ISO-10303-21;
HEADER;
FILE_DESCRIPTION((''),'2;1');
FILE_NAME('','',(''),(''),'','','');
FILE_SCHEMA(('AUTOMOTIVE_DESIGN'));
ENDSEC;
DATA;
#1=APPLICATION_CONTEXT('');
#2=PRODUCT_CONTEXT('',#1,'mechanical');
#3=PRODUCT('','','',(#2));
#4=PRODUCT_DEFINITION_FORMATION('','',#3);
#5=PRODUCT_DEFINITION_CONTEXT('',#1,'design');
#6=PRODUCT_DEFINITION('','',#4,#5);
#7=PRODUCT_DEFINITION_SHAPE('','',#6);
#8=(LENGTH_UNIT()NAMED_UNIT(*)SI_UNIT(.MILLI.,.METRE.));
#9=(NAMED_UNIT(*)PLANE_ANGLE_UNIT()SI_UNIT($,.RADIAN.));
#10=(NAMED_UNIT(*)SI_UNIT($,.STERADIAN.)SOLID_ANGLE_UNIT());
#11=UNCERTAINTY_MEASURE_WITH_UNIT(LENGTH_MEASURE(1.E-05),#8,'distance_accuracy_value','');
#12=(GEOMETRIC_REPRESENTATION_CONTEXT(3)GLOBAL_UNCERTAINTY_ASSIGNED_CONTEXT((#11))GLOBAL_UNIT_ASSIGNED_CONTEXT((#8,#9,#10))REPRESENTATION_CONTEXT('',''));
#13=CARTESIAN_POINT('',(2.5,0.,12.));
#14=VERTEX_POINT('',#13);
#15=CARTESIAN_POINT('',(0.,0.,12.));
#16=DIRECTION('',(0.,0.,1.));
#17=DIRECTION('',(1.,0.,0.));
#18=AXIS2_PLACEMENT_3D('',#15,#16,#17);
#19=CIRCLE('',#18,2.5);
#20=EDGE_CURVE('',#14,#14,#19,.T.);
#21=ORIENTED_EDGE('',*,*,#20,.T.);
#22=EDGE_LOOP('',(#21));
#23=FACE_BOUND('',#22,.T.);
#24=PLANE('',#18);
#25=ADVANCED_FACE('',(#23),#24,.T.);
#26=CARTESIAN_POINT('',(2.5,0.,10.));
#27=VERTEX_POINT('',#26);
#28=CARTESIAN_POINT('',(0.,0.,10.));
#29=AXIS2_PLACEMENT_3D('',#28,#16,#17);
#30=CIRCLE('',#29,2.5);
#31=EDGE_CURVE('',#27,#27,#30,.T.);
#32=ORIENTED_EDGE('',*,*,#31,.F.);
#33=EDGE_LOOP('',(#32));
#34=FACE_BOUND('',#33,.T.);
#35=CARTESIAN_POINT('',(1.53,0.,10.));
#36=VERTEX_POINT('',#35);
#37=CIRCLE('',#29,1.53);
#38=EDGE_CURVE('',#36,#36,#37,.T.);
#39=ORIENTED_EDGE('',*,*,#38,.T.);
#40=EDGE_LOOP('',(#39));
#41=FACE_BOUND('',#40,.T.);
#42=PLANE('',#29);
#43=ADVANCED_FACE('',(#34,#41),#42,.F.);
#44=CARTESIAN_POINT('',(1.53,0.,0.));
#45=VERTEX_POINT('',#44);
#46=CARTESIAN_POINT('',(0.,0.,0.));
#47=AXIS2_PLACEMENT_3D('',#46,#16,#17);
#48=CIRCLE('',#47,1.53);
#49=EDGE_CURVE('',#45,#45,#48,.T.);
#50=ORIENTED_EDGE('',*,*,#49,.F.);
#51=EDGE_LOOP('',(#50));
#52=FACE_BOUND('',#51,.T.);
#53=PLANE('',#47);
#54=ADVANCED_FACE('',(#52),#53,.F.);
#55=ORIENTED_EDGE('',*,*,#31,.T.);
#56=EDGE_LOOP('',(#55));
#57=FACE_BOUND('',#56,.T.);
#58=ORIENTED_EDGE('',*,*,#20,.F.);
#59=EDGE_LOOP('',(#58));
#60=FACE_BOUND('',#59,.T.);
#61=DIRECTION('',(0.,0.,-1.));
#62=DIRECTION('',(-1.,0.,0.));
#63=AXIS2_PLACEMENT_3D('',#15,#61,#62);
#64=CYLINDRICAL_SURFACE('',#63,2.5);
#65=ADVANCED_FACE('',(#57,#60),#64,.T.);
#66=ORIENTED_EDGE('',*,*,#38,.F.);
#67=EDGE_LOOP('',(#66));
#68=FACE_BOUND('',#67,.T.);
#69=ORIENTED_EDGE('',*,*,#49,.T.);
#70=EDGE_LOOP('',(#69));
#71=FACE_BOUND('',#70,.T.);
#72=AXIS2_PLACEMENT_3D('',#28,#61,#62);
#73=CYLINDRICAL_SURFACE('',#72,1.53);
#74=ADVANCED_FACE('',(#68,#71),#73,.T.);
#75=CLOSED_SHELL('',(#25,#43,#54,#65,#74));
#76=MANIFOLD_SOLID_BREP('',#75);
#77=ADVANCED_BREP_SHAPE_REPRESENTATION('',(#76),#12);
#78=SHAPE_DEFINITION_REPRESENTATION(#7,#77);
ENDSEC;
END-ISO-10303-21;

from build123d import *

# Parameters (mm, degrees)
SKETCH_2_R      = 1.53
EXTRUDE_1_DEPTH = 10
SKETCH_11_R     = 2.5
EXTRUDE_2_DEPTH = 2


with BuildPart() as part:
    # 스케치2 → 보스-돌출1 (new body)
    with BuildSketch(Plane.XY):
        Circle(SKETCH_2_R)
    extrude(amount=EXTRUDE_1_DEPTH)

    # 스케치11 → 보스-돌출2 (add)
    with BuildSketch(Plane.XY.offset(10)):
        Circle(SKETCH_11_R)
    extrude(amount=EXTRUDE_2_DEPTH)


solid = part.part
